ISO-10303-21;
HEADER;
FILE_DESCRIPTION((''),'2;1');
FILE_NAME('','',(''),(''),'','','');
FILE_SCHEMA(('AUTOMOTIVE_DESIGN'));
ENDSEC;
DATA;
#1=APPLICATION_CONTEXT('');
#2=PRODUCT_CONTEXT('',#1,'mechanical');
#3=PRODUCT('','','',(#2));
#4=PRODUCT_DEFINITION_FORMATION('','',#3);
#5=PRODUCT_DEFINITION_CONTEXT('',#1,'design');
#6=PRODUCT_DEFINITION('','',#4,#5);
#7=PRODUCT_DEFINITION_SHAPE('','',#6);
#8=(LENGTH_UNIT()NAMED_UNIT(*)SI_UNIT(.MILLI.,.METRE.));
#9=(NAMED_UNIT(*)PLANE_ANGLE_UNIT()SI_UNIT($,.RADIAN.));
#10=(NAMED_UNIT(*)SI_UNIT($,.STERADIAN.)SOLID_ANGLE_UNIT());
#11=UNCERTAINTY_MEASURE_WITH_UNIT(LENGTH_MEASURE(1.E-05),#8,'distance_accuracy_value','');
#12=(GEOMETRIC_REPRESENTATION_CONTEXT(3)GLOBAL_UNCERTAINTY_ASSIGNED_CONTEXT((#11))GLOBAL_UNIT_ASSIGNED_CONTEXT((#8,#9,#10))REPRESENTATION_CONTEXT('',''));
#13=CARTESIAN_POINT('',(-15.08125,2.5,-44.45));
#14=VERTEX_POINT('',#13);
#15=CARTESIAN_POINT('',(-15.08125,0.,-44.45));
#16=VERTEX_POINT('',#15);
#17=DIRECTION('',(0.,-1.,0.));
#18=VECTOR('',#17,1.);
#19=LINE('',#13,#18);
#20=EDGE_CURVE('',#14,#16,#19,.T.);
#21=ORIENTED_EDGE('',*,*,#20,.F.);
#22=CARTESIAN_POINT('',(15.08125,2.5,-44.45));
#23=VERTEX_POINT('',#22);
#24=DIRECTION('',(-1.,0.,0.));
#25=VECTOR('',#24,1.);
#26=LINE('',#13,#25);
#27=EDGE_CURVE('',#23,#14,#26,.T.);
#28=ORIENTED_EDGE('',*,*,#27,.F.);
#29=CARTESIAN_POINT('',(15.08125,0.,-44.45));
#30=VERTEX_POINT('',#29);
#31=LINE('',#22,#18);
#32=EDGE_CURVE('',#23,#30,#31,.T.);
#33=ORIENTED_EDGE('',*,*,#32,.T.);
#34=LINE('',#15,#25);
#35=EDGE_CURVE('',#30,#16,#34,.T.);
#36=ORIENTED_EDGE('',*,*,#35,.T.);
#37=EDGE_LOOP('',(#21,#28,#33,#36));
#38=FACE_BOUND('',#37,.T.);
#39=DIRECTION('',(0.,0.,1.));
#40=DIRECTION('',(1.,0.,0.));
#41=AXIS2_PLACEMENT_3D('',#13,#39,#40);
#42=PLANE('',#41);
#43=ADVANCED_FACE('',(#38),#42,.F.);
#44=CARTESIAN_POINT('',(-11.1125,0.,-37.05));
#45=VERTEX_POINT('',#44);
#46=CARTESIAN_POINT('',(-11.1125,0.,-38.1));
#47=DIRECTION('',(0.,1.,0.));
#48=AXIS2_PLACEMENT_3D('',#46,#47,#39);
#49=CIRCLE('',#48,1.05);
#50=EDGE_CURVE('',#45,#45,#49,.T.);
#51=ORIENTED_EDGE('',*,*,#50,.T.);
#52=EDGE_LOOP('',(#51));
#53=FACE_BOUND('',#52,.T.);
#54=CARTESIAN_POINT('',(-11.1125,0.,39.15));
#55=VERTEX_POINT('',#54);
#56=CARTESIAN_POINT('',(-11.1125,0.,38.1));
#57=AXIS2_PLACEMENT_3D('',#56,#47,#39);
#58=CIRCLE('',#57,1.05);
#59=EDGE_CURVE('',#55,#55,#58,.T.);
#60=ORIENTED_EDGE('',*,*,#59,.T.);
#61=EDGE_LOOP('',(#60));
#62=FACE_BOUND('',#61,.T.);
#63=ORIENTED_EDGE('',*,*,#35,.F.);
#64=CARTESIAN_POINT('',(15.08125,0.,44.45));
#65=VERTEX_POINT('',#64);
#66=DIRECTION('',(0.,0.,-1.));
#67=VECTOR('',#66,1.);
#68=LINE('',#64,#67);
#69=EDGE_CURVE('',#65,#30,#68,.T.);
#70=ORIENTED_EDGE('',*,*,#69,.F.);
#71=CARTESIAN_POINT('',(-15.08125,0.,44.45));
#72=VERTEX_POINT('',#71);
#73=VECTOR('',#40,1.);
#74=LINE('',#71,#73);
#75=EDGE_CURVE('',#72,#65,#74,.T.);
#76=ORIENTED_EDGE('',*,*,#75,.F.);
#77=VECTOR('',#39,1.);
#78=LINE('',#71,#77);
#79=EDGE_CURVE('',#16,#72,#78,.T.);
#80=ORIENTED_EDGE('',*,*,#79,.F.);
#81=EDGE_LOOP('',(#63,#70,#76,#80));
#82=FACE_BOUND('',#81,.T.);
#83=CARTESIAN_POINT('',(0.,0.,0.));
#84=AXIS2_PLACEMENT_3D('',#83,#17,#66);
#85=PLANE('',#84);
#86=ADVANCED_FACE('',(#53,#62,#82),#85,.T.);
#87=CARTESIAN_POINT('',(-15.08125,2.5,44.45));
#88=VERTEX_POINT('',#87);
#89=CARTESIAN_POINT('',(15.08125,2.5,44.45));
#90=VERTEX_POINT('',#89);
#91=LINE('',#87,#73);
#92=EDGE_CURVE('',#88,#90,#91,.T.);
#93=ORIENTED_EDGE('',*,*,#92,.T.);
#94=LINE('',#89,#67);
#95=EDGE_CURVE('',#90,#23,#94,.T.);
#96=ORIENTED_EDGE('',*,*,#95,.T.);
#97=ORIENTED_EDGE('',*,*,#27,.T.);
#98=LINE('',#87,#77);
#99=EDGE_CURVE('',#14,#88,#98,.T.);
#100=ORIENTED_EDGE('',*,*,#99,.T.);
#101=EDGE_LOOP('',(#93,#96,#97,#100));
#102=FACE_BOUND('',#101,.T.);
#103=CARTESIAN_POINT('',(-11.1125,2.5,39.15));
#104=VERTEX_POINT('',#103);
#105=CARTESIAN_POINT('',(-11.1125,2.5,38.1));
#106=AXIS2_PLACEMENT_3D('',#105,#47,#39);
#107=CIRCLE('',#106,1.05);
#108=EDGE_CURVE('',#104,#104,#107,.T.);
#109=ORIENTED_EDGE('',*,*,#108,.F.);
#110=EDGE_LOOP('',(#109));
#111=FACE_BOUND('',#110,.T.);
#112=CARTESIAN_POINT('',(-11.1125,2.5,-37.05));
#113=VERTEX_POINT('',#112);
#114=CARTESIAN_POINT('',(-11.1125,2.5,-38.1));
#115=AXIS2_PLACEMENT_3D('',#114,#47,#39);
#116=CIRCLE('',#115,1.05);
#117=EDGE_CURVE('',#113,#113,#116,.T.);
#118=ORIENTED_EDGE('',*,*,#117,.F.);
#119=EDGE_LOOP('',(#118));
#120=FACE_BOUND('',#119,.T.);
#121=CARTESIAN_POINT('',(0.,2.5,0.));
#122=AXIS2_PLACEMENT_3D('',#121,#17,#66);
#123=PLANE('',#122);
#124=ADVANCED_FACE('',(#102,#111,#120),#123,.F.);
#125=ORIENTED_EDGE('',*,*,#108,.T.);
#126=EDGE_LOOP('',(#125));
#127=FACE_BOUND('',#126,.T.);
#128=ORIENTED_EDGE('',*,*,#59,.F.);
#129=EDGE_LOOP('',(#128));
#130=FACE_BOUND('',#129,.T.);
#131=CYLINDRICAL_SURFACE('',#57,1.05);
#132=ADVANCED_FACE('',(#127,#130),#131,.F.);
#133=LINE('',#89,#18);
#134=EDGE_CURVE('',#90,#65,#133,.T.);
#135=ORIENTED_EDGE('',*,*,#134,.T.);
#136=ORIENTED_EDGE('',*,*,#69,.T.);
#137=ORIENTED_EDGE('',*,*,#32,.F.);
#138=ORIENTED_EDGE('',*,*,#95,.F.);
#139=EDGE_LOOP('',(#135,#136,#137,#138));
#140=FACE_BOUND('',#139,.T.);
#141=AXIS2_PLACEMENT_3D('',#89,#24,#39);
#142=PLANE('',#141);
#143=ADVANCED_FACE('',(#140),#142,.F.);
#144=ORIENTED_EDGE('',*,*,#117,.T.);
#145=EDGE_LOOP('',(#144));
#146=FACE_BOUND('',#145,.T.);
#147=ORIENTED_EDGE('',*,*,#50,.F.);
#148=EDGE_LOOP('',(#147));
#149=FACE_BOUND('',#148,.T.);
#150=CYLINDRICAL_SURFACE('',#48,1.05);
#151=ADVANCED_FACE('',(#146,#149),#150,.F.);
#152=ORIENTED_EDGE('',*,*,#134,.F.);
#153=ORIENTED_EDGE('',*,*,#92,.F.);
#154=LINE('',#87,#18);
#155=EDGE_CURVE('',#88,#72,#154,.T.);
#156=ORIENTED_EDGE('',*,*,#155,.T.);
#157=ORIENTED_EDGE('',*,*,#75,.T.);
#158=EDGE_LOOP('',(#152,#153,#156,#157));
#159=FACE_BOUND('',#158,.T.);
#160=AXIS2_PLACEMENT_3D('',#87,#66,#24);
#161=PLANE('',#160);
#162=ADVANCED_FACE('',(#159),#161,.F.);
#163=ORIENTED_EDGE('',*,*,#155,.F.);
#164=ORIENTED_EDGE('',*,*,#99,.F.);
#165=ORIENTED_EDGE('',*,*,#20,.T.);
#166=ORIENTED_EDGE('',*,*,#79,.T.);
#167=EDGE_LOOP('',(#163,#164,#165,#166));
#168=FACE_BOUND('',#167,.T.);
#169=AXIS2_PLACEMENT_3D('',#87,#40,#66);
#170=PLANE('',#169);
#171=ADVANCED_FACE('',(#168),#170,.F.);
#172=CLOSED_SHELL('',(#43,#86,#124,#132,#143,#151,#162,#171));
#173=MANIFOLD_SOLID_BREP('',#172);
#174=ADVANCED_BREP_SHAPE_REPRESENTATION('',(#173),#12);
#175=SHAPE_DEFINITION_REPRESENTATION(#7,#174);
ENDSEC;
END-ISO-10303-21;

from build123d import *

# Parameters (mm, degrees)
SKETCH1_W           = 30.1625
SKETCH1_H           = 88.9
BOSS_EXTRUDE1_DEPTH = 2.5
SKETCH2_R           = 1.05
CUT_EXTRUDE1_DEPTH  = 48.005282698


with BuildPart() as part:
    # Sketch1 → Boss-Extrude1 (new body)
    with BuildSketch(Plane(origin=(0, 0, 0), x_dir=(1, 0, 0), z_dir=(0, 1, 0))):
        Rectangle(SKETCH1_W, SKETCH1_H)
    extrude(amount=BOSS_EXTRUDE1_DEPTH)

    # Sketch2 → Cut-Extrude1 (cut, through all)
    with BuildSketch(Plane(origin=(0, 2.5, 0), x_dir=(1, 0, 0), z_dir=(0, 1, 0))):
        with Locations(Location((-11.1125, 38.1, 0), (0, 0, 270))):
            Circle(SKETCH2_R)
        with Locations(Location((-11.1125, -38.1, 0), (0, 0, 270))):
            Circle(SKETCH2_R)
    extrude(amount=-CUT_EXTRUDE1_DEPTH, mode=Mode.SUBTRACT)


solid = part.part
